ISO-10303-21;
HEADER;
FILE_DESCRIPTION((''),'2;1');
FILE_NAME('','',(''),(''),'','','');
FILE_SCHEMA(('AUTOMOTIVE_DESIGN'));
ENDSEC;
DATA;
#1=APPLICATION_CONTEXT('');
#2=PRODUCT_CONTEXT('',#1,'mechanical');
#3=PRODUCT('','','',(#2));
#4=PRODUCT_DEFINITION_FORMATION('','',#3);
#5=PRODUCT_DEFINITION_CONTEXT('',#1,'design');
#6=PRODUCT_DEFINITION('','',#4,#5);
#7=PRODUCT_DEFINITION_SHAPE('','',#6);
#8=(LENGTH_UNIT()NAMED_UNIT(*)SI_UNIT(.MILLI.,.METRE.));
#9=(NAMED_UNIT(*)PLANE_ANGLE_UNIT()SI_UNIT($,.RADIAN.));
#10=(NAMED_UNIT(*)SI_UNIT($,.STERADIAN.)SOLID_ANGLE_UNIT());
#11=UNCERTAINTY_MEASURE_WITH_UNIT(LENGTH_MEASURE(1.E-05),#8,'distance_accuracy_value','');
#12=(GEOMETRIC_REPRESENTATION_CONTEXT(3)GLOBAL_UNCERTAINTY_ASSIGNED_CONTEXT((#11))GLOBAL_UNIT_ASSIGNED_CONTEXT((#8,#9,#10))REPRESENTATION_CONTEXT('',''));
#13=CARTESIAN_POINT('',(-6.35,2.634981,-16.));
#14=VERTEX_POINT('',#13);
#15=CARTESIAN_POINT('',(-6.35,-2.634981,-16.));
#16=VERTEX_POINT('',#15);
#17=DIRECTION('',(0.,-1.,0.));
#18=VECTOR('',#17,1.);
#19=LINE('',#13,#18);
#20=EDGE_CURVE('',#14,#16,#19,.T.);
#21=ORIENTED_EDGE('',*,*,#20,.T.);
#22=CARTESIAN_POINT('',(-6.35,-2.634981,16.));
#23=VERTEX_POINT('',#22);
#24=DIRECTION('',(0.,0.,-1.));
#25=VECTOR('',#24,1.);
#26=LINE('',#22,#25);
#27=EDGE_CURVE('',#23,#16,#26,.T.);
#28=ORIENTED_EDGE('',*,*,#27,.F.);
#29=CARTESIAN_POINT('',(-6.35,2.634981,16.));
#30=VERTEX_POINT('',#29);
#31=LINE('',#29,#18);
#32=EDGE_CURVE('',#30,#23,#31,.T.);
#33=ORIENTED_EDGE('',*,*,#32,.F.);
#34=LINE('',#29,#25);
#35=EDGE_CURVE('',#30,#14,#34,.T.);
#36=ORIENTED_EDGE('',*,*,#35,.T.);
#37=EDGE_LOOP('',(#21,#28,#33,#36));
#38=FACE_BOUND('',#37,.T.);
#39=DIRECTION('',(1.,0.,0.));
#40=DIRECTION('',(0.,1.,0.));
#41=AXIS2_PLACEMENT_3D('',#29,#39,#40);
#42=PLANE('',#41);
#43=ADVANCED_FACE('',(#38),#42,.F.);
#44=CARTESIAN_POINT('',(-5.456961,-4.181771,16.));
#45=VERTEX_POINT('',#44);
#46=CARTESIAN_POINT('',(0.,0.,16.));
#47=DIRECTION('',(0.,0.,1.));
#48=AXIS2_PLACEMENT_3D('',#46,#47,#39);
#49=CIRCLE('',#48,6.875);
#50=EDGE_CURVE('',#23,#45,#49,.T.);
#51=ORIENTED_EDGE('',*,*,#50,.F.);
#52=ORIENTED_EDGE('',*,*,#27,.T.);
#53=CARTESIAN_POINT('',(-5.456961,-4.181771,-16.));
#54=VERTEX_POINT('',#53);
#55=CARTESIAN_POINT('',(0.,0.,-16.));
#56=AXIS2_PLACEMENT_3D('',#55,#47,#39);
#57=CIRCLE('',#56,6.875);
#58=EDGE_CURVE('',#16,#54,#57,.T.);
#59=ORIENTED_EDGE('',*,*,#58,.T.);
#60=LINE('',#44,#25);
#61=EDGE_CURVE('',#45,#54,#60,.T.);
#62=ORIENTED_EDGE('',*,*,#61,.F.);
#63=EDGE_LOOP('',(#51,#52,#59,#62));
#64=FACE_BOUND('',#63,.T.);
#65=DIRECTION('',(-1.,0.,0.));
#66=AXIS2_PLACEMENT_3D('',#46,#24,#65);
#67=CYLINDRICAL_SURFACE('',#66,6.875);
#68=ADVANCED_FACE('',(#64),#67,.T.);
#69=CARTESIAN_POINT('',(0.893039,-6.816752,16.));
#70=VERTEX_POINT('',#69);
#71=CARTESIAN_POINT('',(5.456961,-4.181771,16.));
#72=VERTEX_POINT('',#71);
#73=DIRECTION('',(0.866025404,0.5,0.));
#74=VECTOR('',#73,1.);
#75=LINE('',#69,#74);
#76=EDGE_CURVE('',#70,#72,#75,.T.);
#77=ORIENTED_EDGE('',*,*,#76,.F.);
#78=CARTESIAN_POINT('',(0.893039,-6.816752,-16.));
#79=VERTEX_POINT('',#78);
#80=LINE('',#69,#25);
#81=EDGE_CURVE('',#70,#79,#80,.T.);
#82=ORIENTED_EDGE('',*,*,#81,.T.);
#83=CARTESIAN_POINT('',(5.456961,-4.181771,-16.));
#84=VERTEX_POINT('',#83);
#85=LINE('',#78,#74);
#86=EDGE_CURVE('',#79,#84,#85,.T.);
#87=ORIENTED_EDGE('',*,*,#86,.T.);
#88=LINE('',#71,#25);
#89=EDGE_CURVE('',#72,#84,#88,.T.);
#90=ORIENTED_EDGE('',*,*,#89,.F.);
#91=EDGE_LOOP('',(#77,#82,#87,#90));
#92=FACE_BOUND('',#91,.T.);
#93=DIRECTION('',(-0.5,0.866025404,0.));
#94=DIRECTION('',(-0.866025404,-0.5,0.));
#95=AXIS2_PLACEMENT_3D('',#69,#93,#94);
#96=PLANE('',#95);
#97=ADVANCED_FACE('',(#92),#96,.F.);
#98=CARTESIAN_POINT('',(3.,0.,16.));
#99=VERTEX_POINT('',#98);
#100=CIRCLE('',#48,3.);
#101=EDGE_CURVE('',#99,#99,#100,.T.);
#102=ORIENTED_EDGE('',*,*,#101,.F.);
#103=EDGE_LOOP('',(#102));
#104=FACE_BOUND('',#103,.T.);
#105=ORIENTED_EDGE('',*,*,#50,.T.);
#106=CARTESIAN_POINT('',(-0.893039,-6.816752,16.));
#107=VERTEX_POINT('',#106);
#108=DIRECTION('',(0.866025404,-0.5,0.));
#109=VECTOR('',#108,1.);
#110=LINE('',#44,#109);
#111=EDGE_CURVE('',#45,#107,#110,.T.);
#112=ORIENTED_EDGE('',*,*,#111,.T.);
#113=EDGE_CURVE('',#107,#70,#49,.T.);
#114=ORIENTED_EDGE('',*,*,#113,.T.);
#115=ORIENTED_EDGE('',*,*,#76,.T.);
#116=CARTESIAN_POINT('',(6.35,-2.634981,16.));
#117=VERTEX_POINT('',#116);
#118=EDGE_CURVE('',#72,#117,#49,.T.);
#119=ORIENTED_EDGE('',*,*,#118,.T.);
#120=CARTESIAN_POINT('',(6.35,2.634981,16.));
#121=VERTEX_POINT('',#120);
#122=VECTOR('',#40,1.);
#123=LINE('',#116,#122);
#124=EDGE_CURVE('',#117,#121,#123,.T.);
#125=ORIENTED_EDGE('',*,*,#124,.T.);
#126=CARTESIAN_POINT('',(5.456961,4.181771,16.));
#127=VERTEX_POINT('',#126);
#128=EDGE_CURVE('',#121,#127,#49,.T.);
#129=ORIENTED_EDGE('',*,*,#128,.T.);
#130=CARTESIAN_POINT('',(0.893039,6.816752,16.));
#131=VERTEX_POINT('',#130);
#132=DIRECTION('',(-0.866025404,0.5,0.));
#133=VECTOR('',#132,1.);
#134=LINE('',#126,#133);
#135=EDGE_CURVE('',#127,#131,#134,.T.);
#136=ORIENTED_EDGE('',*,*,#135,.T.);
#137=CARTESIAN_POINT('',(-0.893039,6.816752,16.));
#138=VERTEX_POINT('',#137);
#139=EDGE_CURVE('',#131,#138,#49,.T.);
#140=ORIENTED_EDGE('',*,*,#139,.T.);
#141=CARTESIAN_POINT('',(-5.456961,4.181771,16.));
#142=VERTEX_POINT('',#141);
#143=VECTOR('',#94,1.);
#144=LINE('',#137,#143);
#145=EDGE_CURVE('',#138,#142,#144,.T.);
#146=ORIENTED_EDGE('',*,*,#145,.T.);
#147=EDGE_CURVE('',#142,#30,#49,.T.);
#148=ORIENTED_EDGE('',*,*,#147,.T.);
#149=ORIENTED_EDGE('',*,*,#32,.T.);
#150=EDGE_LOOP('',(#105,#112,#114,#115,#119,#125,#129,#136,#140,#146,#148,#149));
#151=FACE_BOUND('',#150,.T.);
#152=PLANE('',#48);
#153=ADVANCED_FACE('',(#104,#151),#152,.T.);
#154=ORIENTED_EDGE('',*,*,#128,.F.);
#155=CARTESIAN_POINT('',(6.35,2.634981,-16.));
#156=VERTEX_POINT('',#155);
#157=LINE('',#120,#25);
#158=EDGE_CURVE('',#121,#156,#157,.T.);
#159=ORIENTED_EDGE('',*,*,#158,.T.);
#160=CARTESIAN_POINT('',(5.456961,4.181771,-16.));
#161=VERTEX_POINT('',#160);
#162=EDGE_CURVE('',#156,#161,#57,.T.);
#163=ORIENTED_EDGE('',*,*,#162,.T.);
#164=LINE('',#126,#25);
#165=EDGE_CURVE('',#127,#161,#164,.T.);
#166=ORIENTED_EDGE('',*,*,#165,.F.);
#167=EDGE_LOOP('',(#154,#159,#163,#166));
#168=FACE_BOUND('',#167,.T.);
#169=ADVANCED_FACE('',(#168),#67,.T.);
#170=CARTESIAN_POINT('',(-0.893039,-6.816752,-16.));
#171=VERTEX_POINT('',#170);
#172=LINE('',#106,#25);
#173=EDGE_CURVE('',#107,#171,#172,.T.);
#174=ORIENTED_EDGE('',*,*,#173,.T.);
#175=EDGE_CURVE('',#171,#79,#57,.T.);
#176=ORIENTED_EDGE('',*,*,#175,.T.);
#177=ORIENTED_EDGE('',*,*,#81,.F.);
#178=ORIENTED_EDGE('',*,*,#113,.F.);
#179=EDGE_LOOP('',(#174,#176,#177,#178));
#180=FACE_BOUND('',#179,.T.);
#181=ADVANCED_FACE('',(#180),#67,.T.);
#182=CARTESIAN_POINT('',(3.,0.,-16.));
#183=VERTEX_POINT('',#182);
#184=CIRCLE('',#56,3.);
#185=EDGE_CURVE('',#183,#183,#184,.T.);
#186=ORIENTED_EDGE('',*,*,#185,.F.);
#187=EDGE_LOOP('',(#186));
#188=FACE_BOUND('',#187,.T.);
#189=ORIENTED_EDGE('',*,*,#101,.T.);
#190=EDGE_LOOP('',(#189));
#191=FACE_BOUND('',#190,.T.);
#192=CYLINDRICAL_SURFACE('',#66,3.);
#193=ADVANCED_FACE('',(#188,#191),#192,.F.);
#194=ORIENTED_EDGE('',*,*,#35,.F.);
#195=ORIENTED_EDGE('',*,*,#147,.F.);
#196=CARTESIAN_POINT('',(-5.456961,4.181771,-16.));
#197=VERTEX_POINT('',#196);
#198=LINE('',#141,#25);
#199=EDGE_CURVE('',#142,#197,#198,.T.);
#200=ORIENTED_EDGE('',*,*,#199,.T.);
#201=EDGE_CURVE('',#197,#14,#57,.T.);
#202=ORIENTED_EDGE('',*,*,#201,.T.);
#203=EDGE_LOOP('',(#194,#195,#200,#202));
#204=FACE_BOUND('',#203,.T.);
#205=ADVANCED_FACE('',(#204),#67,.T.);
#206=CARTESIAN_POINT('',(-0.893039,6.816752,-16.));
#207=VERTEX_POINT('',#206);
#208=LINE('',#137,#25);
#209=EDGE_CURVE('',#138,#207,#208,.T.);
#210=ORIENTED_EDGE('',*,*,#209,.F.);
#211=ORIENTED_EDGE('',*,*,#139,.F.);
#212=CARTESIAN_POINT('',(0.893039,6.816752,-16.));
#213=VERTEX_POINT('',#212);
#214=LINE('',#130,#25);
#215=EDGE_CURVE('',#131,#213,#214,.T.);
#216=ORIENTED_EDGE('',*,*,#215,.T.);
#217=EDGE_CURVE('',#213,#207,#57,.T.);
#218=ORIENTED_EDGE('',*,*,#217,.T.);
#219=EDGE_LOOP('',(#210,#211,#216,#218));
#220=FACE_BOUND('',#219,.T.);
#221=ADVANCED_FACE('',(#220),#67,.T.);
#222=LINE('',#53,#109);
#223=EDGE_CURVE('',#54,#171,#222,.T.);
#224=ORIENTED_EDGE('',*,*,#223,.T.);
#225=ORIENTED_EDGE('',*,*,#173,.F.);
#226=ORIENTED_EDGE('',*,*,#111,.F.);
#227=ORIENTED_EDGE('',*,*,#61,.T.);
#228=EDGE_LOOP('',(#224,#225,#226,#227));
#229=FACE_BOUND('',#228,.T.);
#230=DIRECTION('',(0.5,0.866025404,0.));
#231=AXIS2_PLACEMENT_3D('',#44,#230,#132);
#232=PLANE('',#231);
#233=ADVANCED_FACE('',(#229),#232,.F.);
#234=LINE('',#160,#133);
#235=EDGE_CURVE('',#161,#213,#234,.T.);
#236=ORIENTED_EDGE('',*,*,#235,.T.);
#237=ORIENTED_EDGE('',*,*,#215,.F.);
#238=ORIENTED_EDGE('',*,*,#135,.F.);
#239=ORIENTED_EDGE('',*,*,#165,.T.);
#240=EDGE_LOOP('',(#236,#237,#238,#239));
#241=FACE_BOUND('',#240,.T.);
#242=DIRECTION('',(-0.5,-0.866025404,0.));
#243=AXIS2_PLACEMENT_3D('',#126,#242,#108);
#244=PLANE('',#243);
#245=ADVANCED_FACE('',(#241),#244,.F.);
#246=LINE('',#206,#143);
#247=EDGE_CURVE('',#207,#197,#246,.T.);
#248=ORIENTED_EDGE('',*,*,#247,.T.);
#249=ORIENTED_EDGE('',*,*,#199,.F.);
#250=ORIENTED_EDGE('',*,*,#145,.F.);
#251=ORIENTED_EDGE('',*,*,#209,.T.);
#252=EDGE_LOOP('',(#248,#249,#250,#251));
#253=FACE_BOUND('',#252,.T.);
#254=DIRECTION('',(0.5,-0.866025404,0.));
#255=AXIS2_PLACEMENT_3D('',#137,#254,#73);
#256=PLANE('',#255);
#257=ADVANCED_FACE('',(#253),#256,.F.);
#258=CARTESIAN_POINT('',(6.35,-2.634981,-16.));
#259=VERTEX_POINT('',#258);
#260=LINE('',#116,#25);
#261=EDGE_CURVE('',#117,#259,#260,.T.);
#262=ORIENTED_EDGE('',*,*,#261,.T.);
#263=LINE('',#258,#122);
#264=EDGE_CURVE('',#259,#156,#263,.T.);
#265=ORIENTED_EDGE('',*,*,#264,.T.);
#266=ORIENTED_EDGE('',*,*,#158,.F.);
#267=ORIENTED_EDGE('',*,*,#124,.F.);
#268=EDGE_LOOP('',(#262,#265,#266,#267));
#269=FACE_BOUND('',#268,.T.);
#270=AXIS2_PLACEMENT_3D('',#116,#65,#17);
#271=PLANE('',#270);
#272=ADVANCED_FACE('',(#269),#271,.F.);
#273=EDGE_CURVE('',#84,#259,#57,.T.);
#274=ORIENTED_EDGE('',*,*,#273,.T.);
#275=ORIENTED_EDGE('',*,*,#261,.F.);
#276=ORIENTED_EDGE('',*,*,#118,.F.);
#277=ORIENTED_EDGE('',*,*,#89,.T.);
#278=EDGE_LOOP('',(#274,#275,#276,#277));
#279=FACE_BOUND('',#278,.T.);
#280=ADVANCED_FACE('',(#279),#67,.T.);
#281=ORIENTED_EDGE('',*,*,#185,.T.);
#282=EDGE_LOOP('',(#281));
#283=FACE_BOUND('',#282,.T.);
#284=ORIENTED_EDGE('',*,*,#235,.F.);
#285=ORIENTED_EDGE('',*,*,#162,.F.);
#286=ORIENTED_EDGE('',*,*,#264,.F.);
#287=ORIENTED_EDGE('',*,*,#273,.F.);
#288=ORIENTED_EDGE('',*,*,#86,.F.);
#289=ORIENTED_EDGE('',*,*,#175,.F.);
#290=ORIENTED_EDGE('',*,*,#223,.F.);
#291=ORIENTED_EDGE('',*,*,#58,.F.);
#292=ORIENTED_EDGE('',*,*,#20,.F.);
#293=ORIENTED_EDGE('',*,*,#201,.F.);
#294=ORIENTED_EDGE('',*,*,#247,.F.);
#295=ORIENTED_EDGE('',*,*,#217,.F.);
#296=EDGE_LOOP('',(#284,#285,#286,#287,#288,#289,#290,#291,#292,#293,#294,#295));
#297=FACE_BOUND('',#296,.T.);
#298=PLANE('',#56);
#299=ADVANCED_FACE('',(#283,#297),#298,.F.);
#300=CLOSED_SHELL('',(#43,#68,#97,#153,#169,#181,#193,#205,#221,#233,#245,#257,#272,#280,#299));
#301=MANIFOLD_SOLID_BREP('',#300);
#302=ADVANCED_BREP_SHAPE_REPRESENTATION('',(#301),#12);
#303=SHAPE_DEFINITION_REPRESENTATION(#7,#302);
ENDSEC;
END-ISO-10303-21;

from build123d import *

# Parameters (mm, degrees)
SKETCH1_R           = 3
BOSS_EXTRUDE1_DEPTH = 16


with BuildPart() as part:
    # Sketch1 → Boss-Extrude1 (new, symmetric)
    with BuildSketch(Plane.XY):
        with BuildLine():
            Line((-0.893039494, 6.816751826), (-5.456960506, 4.181770802))
            ThreePointArc((-5.456960506, 4.181770802), (-5.953924651, 3.4375), (-6.35, 2.634981025))
            Line((-6.35, 2.634981025), (-6.35, -2.634981025))
            ThreePointArc((-6.35, -2.634981025), (-5.953924651, -3.4375), (-5.456960506, -4.181770802))
            Line((-5.456960506, -4.181770802), (-0.893039494, -6.816751826))
            ThreePointArc((-0.893039494, -6.816751826), (0, -6.875), (0.893039494, -6.816751826))
            Line((0.893039494, -6.816751826), (5.456960506, -4.181770802))
            ThreePointArc((5.456960506, -4.181770802), (5.953924651, -3.4375), (6.35, -2.634981025))
            Line((6.35, -2.634981025), (6.35, 2.634981025))
            ThreePointArc((6.35, 2.634981025), (5.953924651, 3.4375), (5.456960506, 4.181770802))
            Line((5.456960506, 4.181770802), (0.893039494, 6.816751826))
            ThreePointArc((0.893039494, 6.816751826), (0, 6.875), (-0.893039494, 6.816751826))
        make_face()
        Circle(SKETCH1_R, mode=Mode.SUBTRACT)
    extrude(amount=BOSS_EXTRUDE1_DEPTH, both=True)


solid = part.part
